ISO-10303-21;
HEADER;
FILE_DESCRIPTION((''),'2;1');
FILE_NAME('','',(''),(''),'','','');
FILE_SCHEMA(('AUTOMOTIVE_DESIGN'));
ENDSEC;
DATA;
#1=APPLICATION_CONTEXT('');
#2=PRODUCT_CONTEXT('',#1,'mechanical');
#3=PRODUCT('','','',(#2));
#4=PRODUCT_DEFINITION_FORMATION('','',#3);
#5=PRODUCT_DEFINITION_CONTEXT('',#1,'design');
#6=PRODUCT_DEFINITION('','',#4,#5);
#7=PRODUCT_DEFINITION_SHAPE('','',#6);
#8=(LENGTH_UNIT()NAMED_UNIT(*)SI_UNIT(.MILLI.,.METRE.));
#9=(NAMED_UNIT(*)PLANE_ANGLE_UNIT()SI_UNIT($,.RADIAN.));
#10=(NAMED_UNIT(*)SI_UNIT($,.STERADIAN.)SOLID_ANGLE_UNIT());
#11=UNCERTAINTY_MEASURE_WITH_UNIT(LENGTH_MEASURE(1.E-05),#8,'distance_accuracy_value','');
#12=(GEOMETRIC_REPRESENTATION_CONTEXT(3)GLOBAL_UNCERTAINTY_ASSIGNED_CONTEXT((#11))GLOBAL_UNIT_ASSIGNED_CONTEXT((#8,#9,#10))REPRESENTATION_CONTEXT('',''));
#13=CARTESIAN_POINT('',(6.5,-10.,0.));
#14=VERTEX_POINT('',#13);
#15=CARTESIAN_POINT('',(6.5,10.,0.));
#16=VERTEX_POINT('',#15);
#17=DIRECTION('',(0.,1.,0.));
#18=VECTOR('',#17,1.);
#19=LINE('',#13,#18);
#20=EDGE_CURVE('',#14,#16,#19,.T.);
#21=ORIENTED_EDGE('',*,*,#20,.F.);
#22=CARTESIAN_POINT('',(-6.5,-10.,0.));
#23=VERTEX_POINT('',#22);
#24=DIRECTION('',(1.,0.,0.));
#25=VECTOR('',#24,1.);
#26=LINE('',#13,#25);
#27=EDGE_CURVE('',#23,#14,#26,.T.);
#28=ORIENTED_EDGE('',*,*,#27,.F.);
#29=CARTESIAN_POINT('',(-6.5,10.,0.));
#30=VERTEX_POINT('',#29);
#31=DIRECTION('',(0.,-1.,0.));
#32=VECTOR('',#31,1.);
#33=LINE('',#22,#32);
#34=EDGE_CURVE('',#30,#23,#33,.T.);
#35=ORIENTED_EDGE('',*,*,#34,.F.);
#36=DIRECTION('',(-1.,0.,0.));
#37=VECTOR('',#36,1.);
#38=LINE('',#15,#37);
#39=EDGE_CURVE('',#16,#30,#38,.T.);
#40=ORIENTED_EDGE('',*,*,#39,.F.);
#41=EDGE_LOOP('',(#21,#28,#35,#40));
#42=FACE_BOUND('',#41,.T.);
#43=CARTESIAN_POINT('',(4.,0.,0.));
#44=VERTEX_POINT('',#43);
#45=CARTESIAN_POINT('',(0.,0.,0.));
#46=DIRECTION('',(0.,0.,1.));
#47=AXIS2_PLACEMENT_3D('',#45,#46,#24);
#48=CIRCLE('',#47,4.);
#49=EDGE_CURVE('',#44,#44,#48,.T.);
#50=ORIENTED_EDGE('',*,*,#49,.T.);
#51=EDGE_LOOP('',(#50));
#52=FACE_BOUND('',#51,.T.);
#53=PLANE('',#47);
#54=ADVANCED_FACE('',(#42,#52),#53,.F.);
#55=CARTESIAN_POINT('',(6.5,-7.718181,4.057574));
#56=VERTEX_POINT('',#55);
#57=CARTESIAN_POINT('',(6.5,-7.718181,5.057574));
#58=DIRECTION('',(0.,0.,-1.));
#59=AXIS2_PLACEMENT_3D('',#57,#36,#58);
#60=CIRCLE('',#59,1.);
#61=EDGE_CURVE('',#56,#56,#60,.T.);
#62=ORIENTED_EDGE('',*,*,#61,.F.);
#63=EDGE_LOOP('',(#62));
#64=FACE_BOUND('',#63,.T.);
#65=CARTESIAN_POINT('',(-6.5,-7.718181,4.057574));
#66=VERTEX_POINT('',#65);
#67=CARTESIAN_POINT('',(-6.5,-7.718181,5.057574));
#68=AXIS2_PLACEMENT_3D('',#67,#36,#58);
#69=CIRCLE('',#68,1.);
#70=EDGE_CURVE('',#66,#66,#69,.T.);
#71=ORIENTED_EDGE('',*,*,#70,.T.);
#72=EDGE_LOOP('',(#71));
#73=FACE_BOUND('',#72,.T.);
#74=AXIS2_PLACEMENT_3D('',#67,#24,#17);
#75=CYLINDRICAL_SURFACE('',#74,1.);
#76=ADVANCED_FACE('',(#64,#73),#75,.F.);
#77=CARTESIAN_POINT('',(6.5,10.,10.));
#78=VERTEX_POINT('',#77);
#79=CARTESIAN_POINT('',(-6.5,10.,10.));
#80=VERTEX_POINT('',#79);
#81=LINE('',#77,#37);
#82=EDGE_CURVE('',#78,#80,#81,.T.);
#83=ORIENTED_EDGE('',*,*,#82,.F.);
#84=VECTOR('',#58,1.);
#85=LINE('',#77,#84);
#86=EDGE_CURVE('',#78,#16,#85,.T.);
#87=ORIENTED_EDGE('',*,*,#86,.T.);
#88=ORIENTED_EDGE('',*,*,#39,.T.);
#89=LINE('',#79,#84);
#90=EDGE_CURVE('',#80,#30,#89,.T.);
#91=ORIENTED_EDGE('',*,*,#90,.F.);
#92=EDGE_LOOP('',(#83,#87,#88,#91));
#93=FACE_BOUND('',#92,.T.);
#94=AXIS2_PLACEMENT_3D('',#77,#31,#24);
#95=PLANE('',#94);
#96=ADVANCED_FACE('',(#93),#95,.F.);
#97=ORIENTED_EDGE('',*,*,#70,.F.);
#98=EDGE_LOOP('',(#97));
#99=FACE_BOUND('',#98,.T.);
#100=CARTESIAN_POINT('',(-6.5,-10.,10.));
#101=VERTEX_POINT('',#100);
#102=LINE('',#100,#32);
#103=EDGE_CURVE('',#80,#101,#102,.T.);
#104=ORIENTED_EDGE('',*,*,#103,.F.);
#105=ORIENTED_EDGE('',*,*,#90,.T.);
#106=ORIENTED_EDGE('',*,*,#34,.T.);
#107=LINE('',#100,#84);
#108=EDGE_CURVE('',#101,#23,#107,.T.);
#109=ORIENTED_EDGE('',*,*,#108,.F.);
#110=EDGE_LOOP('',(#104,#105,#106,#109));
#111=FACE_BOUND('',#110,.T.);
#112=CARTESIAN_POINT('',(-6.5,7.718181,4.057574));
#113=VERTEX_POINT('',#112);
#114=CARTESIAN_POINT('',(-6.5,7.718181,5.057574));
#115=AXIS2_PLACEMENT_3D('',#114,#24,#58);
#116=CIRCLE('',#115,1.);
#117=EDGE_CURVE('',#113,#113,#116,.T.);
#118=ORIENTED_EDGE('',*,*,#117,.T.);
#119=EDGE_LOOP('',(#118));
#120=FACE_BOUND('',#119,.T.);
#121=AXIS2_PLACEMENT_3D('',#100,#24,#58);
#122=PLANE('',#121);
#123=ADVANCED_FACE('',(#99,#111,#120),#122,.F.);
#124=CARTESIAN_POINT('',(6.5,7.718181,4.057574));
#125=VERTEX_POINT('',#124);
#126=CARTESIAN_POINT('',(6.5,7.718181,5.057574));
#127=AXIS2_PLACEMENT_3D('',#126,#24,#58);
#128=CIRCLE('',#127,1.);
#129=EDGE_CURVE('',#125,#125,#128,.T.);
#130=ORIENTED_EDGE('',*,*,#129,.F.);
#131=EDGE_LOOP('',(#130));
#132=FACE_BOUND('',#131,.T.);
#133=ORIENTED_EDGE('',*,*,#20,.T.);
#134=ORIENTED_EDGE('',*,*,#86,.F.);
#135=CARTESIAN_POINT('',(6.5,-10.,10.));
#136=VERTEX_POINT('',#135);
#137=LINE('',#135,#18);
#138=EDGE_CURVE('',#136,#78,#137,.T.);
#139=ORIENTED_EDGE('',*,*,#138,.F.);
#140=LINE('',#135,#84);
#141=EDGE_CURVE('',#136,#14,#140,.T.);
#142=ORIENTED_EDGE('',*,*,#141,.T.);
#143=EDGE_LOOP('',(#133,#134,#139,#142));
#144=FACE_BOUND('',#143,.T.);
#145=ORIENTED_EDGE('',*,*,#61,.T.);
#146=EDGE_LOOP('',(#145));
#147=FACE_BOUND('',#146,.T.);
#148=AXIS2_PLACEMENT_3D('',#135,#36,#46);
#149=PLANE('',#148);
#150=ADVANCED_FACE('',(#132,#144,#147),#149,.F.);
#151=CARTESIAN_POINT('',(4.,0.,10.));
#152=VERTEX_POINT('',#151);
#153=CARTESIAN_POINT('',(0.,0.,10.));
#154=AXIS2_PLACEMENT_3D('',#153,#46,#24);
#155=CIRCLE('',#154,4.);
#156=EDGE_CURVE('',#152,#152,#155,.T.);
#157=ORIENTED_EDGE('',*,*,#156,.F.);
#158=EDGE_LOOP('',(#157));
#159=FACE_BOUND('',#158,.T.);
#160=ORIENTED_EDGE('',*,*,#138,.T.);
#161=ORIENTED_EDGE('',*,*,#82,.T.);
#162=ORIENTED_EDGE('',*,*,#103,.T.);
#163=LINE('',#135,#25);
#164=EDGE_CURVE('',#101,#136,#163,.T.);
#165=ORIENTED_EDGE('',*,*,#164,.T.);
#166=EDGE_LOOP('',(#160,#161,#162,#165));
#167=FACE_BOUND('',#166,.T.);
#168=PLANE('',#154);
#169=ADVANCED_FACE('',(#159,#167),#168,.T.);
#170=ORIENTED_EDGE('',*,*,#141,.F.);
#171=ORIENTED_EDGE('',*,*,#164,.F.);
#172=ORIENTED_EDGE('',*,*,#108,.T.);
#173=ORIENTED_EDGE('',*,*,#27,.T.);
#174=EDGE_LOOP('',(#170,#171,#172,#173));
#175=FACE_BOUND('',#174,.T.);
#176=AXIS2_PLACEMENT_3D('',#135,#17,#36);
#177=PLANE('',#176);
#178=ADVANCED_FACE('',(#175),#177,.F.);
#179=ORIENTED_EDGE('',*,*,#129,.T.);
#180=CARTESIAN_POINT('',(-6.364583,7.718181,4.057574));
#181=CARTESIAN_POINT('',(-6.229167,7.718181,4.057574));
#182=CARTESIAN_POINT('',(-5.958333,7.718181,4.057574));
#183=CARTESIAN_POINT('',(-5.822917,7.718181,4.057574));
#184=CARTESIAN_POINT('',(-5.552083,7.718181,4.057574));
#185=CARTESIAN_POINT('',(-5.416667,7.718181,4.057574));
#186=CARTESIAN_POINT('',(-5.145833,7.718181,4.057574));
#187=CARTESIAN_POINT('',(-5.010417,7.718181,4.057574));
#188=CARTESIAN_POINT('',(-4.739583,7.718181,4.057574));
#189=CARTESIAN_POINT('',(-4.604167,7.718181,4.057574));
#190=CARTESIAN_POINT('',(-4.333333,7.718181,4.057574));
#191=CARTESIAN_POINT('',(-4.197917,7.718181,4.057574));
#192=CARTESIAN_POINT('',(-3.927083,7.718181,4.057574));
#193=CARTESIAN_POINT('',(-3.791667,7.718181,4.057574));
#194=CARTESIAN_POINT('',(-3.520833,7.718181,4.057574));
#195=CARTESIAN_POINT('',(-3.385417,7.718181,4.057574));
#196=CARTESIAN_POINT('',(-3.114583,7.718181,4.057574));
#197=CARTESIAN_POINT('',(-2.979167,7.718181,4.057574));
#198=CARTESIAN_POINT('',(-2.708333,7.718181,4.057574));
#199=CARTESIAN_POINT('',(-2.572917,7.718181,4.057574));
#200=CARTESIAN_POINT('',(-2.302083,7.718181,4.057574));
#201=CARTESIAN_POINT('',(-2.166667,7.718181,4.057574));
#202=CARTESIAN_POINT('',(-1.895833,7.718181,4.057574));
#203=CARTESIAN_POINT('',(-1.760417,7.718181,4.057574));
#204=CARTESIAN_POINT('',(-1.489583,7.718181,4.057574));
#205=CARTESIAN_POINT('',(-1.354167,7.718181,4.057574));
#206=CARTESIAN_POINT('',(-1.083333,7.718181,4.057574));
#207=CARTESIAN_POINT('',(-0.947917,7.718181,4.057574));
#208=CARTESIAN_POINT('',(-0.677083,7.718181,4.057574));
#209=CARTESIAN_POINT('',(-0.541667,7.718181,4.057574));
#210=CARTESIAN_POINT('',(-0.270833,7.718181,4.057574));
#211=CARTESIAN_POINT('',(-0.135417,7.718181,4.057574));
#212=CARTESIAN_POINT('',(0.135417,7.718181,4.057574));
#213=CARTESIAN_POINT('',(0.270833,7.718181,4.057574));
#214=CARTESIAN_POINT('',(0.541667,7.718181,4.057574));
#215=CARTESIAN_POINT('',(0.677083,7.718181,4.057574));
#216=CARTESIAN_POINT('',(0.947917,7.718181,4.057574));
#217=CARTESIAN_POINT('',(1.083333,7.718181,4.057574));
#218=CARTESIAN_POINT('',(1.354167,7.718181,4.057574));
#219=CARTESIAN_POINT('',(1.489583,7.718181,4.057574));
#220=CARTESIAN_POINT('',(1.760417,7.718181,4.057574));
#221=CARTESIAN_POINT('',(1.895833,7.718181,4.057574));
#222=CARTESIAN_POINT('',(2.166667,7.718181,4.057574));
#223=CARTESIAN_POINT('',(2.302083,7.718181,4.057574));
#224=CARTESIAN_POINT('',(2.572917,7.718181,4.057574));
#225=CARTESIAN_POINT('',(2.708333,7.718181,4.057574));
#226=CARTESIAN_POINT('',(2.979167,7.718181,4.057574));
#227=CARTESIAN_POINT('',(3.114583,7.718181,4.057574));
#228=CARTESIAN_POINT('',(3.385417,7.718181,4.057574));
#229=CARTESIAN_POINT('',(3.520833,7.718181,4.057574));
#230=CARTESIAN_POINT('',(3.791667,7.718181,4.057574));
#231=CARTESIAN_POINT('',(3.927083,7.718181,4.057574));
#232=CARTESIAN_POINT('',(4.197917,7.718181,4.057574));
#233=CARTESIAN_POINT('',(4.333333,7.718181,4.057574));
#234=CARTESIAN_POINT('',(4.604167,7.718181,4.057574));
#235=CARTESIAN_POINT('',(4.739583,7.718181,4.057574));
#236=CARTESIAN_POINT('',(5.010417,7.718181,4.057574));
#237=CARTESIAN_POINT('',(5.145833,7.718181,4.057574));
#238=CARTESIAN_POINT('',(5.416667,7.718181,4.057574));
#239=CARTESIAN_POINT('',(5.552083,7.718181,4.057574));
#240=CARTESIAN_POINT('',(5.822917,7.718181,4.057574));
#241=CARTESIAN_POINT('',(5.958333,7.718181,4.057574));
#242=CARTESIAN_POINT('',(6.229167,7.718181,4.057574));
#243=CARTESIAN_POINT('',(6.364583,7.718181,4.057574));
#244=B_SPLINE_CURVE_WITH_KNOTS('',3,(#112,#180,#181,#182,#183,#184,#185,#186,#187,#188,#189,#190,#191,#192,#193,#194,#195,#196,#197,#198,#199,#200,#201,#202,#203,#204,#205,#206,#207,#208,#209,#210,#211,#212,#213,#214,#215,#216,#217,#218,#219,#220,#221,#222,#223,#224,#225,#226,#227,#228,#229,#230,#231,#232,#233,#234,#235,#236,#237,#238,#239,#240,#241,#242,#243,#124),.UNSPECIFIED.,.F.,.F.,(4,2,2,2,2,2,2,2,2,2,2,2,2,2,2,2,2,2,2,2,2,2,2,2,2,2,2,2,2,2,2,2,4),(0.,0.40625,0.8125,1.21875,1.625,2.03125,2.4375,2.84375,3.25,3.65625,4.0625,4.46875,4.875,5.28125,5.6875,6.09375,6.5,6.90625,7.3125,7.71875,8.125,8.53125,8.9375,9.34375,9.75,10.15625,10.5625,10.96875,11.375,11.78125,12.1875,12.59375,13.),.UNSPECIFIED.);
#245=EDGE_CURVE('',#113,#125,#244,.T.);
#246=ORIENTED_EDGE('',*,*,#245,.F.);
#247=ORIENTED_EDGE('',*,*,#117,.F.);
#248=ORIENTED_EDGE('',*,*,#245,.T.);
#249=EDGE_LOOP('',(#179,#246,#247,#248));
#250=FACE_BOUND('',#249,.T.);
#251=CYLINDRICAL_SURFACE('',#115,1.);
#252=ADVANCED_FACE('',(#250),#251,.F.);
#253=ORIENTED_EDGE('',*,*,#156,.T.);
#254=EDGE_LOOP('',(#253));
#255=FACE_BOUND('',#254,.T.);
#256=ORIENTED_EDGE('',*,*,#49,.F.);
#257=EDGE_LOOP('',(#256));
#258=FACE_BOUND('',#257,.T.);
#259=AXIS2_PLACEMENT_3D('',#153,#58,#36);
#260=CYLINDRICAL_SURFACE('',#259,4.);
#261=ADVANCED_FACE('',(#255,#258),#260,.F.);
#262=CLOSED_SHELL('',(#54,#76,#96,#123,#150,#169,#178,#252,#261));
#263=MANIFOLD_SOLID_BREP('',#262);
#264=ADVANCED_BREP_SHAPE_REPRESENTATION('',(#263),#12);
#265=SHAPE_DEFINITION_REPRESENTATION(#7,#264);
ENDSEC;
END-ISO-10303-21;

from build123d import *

# Parameters (mm, degrees)
SKETCH1_W           = 13
SKETCH1_H           = 20
SKETCH1_R           = 4
BOSS_EXTRUDE1_DEPTH = 10
SKETCH2_R           = 1
CUT_EXTRUDE1_DEPTH  = 20.209372712


with BuildPart() as part:
    # Sketch1 → Boss-Extrude1 (new body)
    with BuildSketch(Plane.XY):
        Rectangle(SKETCH1_W, SKETCH1_H)
        Circle(SKETCH1_R, mode=Mode.SUBTRACT)
    extrude(amount=BOSS_EXTRUDE1_DEPTH)

    # Sketch2 → Cut-Extrude1 (cut, through all)
    with BuildSketch(Plane(origin=(6.5, 0, 0), x_dir=(0, 0, -1), z_dir=(1, 0, 0))):
        with Locations((-5.057573934, 7.718180526)):
            Circle(SKETCH2_R)
    cut_extrude1 = extrude(amount=-CUT_EXTRUDE1_DEPTH, mode=Mode.SUBTRACT)

    # Mirror1: Cut-Extrude1 across plane
    add(cut_extrude1.mirror(Plane.ZX), mode=Mode.SUBTRACT)


solid = part.part
